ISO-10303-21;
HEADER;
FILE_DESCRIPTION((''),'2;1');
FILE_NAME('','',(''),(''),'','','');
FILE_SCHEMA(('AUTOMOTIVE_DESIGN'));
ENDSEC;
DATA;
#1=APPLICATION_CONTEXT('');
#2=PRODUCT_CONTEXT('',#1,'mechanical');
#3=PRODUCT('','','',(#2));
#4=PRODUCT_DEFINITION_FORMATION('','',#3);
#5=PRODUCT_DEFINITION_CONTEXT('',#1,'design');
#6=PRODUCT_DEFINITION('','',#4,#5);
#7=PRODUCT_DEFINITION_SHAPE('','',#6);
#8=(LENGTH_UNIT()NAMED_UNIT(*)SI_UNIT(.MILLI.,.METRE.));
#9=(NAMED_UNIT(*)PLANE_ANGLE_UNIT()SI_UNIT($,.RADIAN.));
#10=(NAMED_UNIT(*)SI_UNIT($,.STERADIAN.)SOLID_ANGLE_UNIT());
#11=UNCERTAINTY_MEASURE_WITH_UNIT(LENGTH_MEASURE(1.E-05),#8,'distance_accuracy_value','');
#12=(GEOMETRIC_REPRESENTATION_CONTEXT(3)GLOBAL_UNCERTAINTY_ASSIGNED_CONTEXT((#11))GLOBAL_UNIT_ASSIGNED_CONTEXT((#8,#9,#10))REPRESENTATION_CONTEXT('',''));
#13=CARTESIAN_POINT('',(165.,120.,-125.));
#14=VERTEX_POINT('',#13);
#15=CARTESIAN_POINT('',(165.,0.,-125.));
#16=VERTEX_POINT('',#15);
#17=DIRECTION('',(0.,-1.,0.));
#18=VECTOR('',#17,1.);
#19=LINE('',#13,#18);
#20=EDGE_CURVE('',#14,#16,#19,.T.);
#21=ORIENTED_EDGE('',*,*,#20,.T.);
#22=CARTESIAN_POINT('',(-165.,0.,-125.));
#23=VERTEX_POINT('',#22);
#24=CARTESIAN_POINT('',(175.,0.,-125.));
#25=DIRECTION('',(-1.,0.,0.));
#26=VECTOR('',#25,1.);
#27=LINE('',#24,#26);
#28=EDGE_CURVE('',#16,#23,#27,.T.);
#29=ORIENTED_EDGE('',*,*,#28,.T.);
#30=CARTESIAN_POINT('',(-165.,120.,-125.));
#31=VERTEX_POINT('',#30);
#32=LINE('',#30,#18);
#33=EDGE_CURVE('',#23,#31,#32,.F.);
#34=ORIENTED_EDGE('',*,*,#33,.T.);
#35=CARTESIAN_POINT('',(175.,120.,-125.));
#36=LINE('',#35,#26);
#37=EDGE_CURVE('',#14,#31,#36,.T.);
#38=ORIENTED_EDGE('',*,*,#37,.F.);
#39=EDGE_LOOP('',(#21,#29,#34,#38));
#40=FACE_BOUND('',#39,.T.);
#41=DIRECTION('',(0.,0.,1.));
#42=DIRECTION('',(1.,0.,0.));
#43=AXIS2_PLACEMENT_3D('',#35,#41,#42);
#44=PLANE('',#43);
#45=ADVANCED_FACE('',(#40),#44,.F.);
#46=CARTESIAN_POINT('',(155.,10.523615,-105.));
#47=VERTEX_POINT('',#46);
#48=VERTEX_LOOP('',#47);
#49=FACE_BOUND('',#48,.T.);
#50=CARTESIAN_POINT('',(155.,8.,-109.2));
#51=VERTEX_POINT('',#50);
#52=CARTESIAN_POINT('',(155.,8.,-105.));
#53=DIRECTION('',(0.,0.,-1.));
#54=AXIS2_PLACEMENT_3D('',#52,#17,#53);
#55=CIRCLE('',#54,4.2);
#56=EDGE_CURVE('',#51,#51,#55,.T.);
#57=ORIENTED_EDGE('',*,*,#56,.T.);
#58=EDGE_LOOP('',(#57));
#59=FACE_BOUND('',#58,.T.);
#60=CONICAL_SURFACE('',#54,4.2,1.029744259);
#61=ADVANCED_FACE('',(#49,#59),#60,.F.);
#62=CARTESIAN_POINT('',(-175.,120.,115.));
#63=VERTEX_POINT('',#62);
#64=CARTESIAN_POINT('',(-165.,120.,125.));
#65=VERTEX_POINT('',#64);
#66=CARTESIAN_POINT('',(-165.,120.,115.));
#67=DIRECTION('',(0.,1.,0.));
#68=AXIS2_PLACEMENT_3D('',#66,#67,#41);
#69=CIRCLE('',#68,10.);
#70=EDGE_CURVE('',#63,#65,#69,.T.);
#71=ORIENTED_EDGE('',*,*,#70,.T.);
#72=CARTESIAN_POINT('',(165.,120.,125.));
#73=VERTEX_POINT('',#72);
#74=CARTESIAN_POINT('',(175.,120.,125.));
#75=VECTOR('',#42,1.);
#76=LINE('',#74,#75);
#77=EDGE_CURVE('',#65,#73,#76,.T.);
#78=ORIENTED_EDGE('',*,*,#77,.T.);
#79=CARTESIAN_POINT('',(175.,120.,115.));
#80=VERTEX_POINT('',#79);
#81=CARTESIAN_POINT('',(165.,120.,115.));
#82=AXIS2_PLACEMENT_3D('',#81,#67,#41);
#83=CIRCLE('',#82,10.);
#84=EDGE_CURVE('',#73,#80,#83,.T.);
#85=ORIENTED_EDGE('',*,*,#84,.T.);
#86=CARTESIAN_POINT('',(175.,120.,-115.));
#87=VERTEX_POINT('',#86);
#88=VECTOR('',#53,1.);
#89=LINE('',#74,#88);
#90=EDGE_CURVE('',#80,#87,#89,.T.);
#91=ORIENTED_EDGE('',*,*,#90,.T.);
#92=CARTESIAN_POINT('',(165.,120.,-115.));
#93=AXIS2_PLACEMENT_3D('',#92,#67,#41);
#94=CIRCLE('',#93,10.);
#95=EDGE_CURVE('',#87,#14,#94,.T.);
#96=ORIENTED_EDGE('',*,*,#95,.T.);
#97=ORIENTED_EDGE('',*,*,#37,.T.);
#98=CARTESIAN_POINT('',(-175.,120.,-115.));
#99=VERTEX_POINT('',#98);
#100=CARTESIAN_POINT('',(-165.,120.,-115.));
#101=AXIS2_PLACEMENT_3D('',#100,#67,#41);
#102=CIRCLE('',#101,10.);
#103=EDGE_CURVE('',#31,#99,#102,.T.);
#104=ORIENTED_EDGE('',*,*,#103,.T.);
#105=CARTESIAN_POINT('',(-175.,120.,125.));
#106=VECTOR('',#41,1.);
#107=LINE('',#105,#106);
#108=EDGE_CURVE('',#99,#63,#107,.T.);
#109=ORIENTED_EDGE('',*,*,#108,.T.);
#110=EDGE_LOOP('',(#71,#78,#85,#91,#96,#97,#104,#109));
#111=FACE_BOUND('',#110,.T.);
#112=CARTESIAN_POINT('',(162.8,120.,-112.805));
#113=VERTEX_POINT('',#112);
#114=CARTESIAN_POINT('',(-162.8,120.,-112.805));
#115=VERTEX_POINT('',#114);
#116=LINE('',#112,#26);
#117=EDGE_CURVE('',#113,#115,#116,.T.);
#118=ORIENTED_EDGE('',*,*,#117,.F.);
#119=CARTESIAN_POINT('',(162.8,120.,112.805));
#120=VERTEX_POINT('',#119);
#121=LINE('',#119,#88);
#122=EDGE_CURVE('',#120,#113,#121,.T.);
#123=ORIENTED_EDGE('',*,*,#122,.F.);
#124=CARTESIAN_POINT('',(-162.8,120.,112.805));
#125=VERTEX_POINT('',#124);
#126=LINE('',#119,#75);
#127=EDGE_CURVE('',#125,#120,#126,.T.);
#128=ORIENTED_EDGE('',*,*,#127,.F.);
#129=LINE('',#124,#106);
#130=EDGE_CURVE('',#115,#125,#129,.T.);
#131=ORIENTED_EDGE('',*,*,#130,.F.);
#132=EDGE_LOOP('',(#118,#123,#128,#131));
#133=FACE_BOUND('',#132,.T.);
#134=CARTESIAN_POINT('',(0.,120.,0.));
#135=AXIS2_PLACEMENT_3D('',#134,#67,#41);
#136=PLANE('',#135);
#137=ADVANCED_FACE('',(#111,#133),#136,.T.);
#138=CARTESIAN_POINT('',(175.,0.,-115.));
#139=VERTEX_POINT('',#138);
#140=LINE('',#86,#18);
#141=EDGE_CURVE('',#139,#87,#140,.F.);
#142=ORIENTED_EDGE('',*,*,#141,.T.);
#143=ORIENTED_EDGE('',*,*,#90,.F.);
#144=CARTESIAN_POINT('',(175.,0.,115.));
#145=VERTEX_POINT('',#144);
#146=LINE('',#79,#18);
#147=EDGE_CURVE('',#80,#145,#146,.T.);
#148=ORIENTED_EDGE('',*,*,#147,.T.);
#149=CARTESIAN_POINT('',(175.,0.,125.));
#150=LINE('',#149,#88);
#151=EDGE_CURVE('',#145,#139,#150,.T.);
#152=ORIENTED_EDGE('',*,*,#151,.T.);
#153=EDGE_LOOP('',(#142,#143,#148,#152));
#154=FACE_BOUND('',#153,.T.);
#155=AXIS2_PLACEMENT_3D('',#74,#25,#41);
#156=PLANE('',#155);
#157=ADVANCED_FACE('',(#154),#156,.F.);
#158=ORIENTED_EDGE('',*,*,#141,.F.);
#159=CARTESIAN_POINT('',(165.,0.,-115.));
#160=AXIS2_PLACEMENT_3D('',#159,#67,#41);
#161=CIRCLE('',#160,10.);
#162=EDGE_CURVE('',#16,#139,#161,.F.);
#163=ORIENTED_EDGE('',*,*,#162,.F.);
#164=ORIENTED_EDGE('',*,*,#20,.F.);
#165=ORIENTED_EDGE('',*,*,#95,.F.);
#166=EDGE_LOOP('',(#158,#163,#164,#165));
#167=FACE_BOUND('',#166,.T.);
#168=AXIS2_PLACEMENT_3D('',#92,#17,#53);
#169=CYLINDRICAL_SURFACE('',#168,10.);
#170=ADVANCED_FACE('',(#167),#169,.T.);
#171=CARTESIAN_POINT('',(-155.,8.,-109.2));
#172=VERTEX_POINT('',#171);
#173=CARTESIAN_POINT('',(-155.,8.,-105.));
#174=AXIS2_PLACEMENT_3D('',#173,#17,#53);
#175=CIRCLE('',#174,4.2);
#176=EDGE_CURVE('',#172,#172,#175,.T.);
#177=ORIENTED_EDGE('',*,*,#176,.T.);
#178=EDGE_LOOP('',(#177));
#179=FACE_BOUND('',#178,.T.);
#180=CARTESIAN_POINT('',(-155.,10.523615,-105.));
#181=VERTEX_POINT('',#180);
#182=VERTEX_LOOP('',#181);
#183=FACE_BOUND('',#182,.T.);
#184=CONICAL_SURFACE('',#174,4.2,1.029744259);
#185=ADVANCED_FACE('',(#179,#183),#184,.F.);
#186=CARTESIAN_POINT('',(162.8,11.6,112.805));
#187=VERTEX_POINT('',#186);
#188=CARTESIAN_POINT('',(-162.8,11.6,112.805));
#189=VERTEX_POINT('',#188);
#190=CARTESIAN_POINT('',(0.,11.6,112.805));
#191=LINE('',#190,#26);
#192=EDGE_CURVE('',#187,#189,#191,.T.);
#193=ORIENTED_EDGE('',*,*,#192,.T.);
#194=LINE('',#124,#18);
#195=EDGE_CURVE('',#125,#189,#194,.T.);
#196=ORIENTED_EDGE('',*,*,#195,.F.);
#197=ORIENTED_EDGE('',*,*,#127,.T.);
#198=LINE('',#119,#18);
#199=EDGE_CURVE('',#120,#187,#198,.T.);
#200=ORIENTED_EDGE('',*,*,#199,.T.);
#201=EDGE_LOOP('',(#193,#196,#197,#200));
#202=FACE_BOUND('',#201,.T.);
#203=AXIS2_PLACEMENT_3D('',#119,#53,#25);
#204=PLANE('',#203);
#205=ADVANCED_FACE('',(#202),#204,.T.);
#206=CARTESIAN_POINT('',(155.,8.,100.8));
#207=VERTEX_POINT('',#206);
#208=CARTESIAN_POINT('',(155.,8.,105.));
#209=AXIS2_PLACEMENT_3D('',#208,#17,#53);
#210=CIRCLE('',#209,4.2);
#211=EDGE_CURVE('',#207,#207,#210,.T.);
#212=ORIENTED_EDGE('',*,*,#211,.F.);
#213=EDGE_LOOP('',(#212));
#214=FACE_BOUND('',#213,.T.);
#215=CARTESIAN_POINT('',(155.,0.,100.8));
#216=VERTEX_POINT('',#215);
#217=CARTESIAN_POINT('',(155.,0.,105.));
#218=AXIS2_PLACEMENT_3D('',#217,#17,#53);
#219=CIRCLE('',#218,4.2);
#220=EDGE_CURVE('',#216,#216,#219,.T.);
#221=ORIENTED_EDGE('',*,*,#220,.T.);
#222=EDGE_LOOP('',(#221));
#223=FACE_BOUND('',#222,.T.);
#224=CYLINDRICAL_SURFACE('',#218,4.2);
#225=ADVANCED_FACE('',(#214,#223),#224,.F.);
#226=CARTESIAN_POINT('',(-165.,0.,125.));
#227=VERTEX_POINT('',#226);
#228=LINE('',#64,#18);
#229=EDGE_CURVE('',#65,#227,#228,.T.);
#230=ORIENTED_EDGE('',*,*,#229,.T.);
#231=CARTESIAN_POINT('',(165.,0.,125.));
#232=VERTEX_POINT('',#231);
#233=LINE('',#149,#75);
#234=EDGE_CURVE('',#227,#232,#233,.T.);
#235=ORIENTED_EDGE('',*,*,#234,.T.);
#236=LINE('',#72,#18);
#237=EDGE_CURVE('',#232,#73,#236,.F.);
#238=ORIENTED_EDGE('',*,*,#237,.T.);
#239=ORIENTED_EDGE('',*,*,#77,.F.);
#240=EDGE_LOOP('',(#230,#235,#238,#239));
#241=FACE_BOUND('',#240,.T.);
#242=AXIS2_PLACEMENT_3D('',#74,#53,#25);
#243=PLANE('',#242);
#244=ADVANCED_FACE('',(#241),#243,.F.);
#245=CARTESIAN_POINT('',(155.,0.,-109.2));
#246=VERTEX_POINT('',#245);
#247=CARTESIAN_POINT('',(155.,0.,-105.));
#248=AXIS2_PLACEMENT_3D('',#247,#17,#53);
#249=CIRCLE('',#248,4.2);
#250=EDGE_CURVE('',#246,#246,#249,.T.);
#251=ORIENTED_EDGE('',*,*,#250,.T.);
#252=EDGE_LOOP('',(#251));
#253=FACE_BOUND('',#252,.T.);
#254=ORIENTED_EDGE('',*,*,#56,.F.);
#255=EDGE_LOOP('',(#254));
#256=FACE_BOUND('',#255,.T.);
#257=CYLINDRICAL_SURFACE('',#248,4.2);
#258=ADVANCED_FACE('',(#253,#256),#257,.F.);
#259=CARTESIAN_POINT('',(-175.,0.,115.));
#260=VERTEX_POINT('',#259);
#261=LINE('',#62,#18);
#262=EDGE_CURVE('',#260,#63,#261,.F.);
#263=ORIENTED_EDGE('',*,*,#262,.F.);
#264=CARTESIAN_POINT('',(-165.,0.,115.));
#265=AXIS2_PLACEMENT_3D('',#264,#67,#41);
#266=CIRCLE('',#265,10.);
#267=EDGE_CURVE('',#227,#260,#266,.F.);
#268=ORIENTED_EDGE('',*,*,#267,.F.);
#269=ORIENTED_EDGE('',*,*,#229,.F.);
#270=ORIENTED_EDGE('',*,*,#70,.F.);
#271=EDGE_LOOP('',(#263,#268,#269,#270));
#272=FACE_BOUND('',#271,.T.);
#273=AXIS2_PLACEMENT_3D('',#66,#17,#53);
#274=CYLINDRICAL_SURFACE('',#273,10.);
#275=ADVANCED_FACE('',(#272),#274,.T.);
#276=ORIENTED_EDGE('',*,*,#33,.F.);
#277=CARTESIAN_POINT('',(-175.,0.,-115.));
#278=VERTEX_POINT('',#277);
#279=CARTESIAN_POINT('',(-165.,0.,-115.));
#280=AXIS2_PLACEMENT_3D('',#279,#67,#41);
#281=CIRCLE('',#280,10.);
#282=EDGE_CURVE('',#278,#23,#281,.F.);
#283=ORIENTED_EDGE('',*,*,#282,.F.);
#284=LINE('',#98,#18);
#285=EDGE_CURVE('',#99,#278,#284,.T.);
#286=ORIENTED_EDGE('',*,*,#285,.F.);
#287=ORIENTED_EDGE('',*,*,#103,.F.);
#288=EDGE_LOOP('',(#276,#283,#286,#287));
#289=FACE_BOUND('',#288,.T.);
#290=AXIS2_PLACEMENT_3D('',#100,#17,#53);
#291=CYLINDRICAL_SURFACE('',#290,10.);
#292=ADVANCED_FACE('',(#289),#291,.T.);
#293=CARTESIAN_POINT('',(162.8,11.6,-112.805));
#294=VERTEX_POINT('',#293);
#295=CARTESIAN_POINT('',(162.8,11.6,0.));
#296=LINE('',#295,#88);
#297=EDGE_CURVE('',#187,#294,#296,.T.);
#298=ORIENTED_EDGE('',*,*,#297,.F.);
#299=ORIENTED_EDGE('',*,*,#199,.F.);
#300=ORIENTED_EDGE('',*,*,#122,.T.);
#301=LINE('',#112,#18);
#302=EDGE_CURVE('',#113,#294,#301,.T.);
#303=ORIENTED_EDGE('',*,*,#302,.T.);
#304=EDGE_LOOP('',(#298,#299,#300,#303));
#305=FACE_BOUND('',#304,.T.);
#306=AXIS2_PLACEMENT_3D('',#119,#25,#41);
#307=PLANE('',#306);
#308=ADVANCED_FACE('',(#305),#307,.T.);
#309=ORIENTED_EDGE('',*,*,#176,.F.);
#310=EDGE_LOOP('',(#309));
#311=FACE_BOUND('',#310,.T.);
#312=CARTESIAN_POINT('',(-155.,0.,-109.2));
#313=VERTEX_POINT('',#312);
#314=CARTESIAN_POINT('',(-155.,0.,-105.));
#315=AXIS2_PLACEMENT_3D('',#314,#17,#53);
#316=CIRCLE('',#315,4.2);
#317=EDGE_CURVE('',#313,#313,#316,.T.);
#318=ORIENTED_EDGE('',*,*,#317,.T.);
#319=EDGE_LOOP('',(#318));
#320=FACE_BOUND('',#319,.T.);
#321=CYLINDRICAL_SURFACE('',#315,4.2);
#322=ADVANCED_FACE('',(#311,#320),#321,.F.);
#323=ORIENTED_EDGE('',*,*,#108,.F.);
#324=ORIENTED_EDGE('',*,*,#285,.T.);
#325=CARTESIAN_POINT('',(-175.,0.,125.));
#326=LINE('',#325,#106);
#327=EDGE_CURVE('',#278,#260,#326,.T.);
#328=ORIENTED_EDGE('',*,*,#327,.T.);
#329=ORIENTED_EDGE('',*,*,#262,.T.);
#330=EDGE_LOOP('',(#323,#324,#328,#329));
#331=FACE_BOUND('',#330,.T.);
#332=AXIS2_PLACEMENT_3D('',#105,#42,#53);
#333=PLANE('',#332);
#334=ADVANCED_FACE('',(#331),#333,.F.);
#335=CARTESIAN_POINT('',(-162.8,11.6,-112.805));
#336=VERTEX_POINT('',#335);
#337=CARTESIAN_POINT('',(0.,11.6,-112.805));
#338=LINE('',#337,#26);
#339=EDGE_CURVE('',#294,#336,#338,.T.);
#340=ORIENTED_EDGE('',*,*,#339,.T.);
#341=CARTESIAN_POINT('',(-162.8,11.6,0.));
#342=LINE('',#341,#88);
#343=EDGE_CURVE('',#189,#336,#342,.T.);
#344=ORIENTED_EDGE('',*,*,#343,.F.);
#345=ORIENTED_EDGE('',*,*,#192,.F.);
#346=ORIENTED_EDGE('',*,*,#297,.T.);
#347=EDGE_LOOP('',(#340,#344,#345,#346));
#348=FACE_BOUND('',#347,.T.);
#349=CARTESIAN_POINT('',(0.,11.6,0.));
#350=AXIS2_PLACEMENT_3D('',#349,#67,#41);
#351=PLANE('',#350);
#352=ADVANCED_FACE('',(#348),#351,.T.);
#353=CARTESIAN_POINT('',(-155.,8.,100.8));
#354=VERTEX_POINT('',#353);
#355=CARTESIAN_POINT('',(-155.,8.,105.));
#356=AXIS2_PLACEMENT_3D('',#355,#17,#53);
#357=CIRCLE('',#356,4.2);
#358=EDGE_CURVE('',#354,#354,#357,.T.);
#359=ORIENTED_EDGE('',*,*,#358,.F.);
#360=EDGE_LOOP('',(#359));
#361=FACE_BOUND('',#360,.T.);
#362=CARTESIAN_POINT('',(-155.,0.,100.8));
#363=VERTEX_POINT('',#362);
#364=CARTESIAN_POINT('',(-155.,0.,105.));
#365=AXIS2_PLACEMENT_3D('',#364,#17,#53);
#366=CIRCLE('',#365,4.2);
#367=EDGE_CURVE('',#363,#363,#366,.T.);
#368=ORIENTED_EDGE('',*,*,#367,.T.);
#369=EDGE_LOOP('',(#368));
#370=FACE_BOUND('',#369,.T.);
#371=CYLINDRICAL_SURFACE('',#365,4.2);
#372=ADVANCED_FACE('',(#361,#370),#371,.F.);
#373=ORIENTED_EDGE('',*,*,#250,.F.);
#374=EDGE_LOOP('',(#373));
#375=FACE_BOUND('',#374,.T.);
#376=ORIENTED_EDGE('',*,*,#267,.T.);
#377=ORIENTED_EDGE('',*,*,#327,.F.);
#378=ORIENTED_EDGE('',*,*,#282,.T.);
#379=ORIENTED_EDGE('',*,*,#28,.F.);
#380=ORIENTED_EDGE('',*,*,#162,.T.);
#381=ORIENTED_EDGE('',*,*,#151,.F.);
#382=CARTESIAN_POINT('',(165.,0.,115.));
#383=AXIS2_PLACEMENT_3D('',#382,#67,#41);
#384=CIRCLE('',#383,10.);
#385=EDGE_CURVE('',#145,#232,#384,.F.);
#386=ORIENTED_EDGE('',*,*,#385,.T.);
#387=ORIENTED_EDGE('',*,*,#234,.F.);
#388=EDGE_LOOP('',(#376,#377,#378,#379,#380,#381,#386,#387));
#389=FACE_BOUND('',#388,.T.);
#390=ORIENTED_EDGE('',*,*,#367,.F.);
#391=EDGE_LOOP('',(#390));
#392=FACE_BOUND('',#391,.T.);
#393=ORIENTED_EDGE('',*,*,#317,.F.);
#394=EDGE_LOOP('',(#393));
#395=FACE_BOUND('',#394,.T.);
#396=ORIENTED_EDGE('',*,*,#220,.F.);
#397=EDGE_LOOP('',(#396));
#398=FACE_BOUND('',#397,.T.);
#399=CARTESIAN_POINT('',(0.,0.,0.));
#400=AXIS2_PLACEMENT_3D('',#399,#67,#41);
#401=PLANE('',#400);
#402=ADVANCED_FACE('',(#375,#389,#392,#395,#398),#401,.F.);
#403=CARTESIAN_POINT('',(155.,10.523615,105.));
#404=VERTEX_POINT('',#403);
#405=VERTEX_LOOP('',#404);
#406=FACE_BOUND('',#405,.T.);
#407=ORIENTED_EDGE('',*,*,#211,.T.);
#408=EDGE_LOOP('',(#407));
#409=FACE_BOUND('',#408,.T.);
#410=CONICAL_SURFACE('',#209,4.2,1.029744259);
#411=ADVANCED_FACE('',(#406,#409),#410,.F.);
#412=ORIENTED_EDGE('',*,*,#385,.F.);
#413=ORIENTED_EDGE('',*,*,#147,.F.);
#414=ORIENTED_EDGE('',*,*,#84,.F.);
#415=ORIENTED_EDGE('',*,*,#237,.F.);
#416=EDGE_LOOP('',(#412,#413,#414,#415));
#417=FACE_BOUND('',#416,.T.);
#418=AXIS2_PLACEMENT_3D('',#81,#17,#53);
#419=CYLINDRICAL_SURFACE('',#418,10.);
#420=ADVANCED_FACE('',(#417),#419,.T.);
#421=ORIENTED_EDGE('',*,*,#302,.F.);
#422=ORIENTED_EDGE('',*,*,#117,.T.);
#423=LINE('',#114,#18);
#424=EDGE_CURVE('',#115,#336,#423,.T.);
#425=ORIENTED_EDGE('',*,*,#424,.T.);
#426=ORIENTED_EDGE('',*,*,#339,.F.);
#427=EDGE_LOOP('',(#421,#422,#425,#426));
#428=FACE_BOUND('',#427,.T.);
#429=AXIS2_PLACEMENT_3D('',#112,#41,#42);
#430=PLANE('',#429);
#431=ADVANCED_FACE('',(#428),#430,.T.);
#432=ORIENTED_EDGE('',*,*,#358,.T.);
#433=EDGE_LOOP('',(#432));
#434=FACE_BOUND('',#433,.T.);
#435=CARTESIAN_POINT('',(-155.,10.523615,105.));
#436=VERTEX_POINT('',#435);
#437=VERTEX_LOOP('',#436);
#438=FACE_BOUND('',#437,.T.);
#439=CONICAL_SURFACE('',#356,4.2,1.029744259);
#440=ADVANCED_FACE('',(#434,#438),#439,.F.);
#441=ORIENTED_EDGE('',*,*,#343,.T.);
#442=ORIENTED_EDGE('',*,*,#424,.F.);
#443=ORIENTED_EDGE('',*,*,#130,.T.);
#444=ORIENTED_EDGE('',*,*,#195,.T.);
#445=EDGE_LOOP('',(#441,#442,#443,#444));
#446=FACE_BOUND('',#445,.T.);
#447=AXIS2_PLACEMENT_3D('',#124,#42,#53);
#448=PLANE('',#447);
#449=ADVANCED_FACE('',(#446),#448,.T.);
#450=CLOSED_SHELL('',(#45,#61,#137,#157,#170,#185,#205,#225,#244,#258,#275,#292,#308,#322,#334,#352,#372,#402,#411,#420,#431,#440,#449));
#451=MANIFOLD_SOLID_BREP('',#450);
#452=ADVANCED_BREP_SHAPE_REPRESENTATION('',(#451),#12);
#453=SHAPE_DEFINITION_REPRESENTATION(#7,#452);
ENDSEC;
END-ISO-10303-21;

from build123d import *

# Parameters (mm, degrees)
SKETCH1_W                = 350
SKETCH1_H                = 250
SKETCH1_W_2              = 325.6
SKETCH1_H_2              = 225.61
BOSS_EXTRUDE1_DEPTH      = 120
SKETCH1_2_W              = 325.6
SKETCH1_2_H              = 225.61
BOSS_EXTRUDE2_DEPTH      = 11.6
FILLET1_R                = 10
M8_CLEARANCE_HOLE1_D     = 8.4
M8_CLEARANCE_HOLE1_DEPTH = 8
M8_CLEARANCE_HOLE1_TIP   = 2.5236146


with BuildPart() as part:
    # Sketch1 → Boss-Extrude1 (new body)
    with BuildSketch(Plane(origin=(0, 0, 0), x_dir=(1, 0, 0), z_dir=(0, 1, 0))):
        Rectangle(SKETCH1_W, SKETCH1_H)
        Rectangle(SKETCH1_W_2, SKETCH1_H_2, mode=Mode.SUBTRACT)
    extrude(amount=BOSS_EXTRUDE1_DEPTH)

    # Sketch1<2> → Boss-Extrude2 (add)
    with BuildSketch(Plane(origin=(0, 0, 0), x_dir=(1, 0, 0), z_dir=(0, 1, 0))):
        Rectangle(SKETCH1_2_W, SKETCH1_2_H)
    extrude(amount=BOSS_EXTRUDE2_DEPTH)

    # Fillet1
    fillet1_edges = [part.edges().sort_by_distance(p)[0] for p in [
        (-175, 60, -125),
        (175, 60, -125),
        (175, 60, 125),
        (-175, 60, 125),
    ]]
    fillet(fillet1_edges, radius=FILLET1_R)

    # M8 Clearance Hole1
    with Locations(Plane(origin=(0, 0, 0), x_dir=(-1, 0, 0), z_dir=(0, -1, 0))):
        with Locations((155, -105), (-155, -105), (-155, 105), (155, 105)):
            Hole(M8_CLEARANCE_HOLE1_D / 2, depth=M8_CLEARANCE_HOLE1_DEPTH)
            with Locations((0, 0, -(M8_CLEARANCE_HOLE1_DEPTH + M8_CLEARANCE_HOLE1_TIP / 2))):  # 118° drill point
                Cone(0, M8_CLEARANCE_HOLE1_D / 2, M8_CLEARANCE_HOLE1_TIP, mode=Mode.SUBTRACT)


solid = part.part
